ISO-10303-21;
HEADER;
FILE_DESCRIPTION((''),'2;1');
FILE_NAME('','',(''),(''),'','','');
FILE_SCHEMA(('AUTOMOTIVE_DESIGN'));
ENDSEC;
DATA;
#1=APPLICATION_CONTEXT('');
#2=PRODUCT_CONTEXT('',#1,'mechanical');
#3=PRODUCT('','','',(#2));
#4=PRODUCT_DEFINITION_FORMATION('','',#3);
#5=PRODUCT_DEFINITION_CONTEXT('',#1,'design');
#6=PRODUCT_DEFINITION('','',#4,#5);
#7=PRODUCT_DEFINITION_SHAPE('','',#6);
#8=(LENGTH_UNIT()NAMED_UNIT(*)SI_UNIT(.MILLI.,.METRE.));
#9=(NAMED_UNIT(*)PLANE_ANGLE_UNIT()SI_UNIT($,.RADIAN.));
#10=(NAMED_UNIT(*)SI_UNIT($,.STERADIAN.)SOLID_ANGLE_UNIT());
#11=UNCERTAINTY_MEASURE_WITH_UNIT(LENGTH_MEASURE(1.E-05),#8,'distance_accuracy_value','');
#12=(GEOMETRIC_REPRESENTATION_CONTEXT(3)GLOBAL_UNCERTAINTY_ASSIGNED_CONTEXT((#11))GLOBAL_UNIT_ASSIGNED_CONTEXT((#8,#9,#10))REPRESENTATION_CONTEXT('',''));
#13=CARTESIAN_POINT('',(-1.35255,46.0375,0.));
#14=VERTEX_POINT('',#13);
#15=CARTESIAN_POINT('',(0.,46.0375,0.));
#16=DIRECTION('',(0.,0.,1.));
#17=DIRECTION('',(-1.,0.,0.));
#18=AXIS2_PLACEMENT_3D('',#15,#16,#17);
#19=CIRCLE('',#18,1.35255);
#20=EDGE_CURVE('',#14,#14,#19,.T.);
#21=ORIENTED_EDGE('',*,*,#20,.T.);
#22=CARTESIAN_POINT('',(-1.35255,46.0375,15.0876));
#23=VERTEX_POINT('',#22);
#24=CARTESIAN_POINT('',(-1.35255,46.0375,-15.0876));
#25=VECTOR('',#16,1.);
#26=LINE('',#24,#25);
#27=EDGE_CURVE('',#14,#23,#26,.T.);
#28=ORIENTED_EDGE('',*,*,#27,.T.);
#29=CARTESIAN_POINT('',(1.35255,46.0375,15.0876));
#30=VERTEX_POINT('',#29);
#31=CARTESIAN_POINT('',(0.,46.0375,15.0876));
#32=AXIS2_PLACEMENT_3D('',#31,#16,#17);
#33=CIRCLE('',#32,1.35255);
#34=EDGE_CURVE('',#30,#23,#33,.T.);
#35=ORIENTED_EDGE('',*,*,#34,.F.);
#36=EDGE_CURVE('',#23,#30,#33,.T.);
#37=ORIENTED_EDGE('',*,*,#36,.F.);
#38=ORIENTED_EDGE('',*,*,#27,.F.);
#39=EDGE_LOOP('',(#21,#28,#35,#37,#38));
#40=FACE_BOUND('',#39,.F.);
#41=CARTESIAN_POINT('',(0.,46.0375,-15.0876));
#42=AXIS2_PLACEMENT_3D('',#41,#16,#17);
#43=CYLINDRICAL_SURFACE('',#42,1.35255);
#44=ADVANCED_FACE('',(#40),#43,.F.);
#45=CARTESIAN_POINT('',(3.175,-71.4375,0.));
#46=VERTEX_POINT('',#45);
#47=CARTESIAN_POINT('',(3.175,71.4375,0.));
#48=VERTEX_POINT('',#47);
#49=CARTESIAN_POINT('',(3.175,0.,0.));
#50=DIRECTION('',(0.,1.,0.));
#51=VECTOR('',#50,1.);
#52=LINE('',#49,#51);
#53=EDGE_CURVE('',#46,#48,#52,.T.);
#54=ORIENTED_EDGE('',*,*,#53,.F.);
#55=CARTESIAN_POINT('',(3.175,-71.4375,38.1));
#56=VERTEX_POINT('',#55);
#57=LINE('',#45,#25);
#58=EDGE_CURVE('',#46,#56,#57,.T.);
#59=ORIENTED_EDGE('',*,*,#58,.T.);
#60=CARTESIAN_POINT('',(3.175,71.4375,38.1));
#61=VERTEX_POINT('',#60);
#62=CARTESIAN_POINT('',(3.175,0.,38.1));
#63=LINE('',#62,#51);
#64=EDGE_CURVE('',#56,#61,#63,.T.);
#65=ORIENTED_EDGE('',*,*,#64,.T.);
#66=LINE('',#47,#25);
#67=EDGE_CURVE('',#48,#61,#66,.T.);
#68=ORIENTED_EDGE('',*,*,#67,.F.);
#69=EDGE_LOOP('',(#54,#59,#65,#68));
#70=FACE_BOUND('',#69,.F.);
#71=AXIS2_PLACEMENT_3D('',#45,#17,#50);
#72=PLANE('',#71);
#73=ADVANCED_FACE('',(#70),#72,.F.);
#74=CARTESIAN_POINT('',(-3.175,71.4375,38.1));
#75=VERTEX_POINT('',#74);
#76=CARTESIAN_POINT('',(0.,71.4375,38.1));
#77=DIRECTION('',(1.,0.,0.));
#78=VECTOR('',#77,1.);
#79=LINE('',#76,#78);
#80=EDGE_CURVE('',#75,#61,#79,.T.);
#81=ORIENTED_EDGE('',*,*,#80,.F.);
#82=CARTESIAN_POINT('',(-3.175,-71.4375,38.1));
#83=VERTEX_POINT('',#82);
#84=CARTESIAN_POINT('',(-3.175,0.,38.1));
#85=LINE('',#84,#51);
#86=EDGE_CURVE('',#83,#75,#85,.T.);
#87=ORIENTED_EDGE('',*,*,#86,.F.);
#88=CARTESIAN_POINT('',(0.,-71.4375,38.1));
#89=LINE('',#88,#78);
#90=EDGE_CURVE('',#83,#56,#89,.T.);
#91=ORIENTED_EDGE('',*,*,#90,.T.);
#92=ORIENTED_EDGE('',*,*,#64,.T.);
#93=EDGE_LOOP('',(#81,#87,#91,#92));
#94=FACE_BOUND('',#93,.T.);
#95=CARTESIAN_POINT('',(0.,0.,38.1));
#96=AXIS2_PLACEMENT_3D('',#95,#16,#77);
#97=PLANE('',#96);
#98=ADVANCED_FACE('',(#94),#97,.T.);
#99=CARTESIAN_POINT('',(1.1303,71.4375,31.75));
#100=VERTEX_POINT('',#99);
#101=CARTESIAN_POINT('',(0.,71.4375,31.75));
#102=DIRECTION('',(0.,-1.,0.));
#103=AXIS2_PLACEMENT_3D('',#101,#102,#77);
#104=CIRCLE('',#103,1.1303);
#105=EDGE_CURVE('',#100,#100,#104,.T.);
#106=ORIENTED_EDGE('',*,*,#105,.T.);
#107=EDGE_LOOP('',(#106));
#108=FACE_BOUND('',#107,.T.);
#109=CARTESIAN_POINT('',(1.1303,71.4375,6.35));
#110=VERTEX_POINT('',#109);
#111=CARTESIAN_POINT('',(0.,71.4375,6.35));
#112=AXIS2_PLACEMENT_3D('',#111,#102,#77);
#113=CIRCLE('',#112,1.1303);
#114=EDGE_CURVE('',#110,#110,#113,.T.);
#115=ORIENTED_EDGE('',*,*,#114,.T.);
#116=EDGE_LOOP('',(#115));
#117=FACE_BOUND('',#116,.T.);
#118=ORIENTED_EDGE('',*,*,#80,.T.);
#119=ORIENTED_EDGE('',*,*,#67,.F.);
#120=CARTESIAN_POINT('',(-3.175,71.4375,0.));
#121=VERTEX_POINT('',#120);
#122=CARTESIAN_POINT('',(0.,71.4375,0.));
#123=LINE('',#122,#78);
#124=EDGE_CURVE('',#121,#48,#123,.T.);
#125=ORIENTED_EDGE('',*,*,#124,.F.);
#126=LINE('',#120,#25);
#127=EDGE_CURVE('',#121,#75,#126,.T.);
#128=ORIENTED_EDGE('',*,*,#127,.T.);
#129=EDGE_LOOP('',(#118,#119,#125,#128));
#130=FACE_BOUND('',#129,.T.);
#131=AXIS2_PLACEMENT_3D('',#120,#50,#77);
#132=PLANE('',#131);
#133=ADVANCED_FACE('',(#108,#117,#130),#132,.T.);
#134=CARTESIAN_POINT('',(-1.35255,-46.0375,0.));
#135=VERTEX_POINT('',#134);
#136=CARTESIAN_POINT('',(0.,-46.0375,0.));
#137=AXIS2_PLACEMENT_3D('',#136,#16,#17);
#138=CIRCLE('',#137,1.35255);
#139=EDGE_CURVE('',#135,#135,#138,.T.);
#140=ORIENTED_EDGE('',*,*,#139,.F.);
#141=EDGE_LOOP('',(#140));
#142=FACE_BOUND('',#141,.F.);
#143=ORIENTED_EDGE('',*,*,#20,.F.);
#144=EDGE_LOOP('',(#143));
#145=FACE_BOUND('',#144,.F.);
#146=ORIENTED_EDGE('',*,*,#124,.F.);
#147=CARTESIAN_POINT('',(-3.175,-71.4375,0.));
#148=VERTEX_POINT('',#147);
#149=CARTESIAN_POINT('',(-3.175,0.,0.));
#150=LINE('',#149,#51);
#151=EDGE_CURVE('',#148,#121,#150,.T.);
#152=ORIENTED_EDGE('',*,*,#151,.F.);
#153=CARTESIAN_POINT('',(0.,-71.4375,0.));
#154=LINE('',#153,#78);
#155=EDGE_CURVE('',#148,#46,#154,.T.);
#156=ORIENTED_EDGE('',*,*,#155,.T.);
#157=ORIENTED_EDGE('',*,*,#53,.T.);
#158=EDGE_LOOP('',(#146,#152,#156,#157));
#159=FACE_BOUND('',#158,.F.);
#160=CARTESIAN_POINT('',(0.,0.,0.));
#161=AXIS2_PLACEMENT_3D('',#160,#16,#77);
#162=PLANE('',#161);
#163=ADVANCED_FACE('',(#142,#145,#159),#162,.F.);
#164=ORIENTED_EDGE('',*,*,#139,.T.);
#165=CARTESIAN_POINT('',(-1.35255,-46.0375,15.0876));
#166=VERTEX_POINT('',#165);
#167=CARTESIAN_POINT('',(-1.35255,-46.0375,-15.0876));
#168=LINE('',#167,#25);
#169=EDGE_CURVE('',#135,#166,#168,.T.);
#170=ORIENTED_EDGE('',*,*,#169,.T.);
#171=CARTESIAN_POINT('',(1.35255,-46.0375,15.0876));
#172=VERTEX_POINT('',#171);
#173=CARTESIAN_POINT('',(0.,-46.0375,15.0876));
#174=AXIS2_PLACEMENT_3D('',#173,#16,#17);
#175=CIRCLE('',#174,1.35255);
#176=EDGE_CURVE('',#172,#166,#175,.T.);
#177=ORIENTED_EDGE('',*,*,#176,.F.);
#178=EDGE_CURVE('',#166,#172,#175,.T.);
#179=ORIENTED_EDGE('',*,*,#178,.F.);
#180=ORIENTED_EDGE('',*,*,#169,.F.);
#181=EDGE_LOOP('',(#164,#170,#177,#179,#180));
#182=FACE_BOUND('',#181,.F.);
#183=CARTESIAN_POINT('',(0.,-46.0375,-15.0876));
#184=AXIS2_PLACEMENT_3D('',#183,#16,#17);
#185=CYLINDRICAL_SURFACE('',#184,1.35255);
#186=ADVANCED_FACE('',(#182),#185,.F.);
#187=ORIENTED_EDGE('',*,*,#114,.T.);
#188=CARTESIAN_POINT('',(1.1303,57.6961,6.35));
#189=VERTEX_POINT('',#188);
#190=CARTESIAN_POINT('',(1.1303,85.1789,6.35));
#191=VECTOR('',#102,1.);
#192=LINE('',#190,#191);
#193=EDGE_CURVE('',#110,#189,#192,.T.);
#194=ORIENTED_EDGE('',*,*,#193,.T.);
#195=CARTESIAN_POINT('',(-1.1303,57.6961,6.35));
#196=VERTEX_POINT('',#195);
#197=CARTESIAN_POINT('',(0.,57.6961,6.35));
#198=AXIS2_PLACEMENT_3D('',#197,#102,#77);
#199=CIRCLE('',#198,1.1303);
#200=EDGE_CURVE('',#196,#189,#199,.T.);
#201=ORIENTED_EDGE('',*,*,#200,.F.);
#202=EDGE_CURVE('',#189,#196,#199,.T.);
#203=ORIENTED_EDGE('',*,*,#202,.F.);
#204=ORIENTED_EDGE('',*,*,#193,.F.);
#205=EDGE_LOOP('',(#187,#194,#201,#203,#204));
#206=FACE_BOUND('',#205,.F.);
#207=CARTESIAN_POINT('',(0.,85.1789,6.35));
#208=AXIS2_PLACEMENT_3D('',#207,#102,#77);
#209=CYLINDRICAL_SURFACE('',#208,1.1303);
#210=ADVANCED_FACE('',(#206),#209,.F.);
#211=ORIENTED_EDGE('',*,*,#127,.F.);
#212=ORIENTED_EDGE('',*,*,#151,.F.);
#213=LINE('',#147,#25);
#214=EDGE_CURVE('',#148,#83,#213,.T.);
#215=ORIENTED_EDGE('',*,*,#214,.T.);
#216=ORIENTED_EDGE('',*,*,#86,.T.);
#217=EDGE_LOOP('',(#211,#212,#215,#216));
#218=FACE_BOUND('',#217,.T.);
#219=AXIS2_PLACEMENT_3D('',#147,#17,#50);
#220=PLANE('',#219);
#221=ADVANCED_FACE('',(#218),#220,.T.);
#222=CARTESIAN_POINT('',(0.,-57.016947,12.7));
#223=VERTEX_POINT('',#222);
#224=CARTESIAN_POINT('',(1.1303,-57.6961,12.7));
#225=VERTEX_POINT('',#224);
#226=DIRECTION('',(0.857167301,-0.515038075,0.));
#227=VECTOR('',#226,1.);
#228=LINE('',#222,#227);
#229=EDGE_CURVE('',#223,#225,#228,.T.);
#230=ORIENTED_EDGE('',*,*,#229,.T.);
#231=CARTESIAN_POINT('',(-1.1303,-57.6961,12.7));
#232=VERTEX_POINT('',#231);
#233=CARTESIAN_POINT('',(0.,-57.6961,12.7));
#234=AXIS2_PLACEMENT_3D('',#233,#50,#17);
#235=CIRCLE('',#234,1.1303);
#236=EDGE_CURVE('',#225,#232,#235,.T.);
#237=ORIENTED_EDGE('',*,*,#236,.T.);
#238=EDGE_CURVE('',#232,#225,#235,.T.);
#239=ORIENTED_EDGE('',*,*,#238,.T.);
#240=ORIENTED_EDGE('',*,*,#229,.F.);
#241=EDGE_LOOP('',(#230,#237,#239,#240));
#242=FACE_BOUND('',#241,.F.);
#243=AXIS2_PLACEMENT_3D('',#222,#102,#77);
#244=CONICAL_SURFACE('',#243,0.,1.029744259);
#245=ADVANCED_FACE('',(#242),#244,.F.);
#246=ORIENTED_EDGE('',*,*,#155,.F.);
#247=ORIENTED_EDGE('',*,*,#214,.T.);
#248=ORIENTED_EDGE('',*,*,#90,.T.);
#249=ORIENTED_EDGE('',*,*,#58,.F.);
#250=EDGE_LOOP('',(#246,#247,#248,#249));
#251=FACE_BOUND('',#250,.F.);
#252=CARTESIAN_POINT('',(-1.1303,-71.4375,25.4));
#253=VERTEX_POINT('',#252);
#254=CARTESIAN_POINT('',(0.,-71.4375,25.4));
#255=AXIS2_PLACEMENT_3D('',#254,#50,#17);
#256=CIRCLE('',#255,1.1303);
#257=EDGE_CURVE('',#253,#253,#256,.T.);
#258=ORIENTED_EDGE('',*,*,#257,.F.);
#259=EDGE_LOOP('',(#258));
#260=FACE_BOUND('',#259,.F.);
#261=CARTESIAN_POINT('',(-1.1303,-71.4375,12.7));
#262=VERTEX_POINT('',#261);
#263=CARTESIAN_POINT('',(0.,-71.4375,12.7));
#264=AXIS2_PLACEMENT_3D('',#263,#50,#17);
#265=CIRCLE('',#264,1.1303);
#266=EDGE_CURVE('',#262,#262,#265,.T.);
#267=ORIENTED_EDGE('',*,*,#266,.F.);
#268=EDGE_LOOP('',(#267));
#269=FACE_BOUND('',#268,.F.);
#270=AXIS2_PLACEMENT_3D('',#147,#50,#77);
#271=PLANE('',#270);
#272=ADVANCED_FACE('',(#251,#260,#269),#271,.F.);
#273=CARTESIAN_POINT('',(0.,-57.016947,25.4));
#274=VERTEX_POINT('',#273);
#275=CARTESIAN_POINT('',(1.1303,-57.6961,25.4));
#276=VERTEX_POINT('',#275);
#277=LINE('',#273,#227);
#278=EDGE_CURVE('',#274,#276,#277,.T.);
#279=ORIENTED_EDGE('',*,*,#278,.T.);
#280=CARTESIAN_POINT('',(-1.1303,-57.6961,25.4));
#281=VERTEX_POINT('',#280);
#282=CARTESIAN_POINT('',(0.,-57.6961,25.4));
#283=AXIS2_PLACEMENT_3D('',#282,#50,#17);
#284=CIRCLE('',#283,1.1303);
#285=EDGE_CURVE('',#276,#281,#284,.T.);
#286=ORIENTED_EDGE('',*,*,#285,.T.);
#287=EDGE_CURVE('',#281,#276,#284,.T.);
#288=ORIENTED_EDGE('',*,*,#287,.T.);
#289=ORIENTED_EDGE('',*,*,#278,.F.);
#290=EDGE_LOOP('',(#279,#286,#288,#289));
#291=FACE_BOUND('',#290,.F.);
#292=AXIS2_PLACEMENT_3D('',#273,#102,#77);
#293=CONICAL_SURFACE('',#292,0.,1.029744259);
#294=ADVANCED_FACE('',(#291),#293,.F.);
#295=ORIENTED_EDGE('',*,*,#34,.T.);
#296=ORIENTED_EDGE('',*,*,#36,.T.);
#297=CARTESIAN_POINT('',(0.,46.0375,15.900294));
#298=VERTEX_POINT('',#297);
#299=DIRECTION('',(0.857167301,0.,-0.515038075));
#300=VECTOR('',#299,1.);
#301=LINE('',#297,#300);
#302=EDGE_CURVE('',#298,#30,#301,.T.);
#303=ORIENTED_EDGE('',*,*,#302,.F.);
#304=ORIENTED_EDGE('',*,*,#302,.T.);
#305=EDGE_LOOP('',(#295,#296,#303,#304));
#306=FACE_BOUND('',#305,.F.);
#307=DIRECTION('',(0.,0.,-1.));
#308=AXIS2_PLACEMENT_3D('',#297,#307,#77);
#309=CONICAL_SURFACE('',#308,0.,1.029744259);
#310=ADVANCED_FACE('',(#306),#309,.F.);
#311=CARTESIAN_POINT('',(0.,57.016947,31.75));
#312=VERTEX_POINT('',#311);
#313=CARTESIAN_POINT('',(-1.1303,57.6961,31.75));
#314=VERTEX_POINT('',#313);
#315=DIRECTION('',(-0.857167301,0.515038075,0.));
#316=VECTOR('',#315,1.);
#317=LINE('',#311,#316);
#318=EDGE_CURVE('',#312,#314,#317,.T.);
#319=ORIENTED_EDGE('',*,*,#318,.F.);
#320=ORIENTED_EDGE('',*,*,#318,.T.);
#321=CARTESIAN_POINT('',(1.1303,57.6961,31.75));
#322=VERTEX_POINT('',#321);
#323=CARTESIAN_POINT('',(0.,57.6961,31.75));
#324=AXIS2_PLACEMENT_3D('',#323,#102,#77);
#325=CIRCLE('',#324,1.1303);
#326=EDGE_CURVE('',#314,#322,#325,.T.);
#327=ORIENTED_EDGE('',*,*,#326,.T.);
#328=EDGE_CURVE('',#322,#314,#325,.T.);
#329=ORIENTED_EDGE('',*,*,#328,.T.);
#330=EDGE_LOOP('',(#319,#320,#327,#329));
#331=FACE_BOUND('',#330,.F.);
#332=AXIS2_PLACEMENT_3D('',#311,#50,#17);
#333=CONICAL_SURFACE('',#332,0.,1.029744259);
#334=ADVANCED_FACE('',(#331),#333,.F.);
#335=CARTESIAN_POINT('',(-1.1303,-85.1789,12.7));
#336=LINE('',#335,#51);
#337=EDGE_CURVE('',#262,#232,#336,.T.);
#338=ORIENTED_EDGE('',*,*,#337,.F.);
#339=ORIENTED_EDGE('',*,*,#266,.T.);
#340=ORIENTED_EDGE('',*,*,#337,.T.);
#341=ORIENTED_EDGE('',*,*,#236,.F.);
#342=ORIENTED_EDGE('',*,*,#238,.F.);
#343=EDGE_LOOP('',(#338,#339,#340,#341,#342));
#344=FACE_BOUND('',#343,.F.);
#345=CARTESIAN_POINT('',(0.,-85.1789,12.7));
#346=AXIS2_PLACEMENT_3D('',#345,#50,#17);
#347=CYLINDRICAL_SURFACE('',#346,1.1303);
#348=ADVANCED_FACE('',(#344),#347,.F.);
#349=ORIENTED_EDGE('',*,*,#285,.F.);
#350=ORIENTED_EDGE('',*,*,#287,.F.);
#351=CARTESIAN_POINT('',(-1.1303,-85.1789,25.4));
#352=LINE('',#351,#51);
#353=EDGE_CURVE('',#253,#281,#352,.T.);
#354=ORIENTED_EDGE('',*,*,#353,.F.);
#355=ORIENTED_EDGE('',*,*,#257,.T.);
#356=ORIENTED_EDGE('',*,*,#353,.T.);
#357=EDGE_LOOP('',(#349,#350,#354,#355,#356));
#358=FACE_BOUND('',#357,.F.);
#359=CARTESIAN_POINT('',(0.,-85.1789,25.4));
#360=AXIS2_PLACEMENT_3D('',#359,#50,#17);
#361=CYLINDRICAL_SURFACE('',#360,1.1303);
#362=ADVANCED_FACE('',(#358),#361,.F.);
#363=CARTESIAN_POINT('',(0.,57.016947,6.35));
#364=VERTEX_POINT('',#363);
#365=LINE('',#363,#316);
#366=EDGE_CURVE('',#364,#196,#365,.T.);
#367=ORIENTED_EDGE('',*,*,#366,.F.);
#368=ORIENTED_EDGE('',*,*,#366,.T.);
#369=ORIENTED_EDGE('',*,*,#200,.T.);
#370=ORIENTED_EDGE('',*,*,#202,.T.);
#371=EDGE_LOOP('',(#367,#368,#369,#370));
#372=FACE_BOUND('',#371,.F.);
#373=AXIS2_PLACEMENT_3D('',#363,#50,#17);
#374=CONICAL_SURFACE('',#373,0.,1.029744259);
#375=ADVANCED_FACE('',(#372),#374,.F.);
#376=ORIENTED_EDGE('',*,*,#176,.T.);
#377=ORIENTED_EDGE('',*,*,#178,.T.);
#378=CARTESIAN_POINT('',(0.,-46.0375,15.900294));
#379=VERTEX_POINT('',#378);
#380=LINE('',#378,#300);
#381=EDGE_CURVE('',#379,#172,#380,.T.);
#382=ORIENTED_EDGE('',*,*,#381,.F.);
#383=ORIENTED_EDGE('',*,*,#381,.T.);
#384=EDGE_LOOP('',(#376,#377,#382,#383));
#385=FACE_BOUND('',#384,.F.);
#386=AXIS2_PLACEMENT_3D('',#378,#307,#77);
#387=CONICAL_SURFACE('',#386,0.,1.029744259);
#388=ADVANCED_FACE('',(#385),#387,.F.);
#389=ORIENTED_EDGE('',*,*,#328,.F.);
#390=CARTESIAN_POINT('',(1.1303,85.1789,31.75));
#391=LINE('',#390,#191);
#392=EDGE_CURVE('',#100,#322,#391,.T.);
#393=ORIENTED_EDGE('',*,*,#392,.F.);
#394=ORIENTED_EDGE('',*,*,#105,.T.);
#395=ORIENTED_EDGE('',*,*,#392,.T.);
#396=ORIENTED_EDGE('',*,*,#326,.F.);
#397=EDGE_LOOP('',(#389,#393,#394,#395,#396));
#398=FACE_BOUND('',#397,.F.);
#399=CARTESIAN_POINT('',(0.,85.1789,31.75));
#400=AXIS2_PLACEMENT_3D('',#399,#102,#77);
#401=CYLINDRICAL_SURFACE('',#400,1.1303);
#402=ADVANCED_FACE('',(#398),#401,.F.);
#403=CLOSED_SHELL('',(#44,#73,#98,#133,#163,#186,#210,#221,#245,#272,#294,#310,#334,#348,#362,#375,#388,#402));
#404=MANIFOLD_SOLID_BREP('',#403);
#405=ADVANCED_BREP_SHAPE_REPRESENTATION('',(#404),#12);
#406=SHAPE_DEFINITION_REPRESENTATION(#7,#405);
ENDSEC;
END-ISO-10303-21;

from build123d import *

# Parameters (mm, degrees)
F0_W           = 6.35
F0_H           = 142.875
F1_DEPTH       = 38.1
F3_D           = 2.7051
F3_DEPTH       = 15.0876
F3_TIP         = 0.8126940303
F6_D           = 2.2606
F6_DEPTH       = 13.7414
F6_TIP         = 0.6791527577
F6_ON_F4_D     = 2.2606
F6_ON_F4_DEPTH = 13.7414
F6_ON_F4_TIP   = 0.6791527577


with BuildPart() as f1:
    # F0 (on Top) → F1 (new body)
    with BuildSketch(Plane.XY):
        Rectangle(F0_W, F0_H)
    extrude(amount=F1_DEPTH)

    # F3
    with Locations(Plane(origin=(0, 0, 0), x_dir=(1, 0, 0), z_dir=(0, 0, -1))):
        with Locations((0, 46.0375), (0, -46.0375)):
            Hole(F3_D / 2, depth=F3_DEPTH)
            with Locations((0, 0, -(F3_DEPTH + F3_TIP / 2))):  # 118° drill point
                Cone(0, F3_D / 2, F3_TIP, mode=Mode.SUBTRACT)

    # F6
    with Locations(Plane.XZ.offset(71.4375)):
        with Locations((0, 25.4), (0, 12.7)):
            Hole(F6_D / 2, depth=F6_DEPTH)
            with Locations((0, 0, -(F6_DEPTH + F6_TIP / 2))):  # 118° drill point
                Cone(0, F6_D / 2, F6_TIP, mode=Mode.SUBTRACT)

    # F6 on F4
    with Locations(Plane(origin=(0, 71.4375, 0), x_dir=(-1, 0, 0), z_dir=(0, 1, 0))):
        with Locations((0, 31.75), (0, 6.35)):
            Hole(F6_ON_F4_D / 2, depth=F6_ON_F4_DEPTH)
            with Locations((0, 0, -(F6_ON_F4_DEPTH + F6_ON_F4_TIP / 2))):  # 118° drill point
                Cone(0, F6_ON_F4_D / 2, F6_ON_F4_TIP, mode=Mode.SUBTRACT)


solid = f1.part
